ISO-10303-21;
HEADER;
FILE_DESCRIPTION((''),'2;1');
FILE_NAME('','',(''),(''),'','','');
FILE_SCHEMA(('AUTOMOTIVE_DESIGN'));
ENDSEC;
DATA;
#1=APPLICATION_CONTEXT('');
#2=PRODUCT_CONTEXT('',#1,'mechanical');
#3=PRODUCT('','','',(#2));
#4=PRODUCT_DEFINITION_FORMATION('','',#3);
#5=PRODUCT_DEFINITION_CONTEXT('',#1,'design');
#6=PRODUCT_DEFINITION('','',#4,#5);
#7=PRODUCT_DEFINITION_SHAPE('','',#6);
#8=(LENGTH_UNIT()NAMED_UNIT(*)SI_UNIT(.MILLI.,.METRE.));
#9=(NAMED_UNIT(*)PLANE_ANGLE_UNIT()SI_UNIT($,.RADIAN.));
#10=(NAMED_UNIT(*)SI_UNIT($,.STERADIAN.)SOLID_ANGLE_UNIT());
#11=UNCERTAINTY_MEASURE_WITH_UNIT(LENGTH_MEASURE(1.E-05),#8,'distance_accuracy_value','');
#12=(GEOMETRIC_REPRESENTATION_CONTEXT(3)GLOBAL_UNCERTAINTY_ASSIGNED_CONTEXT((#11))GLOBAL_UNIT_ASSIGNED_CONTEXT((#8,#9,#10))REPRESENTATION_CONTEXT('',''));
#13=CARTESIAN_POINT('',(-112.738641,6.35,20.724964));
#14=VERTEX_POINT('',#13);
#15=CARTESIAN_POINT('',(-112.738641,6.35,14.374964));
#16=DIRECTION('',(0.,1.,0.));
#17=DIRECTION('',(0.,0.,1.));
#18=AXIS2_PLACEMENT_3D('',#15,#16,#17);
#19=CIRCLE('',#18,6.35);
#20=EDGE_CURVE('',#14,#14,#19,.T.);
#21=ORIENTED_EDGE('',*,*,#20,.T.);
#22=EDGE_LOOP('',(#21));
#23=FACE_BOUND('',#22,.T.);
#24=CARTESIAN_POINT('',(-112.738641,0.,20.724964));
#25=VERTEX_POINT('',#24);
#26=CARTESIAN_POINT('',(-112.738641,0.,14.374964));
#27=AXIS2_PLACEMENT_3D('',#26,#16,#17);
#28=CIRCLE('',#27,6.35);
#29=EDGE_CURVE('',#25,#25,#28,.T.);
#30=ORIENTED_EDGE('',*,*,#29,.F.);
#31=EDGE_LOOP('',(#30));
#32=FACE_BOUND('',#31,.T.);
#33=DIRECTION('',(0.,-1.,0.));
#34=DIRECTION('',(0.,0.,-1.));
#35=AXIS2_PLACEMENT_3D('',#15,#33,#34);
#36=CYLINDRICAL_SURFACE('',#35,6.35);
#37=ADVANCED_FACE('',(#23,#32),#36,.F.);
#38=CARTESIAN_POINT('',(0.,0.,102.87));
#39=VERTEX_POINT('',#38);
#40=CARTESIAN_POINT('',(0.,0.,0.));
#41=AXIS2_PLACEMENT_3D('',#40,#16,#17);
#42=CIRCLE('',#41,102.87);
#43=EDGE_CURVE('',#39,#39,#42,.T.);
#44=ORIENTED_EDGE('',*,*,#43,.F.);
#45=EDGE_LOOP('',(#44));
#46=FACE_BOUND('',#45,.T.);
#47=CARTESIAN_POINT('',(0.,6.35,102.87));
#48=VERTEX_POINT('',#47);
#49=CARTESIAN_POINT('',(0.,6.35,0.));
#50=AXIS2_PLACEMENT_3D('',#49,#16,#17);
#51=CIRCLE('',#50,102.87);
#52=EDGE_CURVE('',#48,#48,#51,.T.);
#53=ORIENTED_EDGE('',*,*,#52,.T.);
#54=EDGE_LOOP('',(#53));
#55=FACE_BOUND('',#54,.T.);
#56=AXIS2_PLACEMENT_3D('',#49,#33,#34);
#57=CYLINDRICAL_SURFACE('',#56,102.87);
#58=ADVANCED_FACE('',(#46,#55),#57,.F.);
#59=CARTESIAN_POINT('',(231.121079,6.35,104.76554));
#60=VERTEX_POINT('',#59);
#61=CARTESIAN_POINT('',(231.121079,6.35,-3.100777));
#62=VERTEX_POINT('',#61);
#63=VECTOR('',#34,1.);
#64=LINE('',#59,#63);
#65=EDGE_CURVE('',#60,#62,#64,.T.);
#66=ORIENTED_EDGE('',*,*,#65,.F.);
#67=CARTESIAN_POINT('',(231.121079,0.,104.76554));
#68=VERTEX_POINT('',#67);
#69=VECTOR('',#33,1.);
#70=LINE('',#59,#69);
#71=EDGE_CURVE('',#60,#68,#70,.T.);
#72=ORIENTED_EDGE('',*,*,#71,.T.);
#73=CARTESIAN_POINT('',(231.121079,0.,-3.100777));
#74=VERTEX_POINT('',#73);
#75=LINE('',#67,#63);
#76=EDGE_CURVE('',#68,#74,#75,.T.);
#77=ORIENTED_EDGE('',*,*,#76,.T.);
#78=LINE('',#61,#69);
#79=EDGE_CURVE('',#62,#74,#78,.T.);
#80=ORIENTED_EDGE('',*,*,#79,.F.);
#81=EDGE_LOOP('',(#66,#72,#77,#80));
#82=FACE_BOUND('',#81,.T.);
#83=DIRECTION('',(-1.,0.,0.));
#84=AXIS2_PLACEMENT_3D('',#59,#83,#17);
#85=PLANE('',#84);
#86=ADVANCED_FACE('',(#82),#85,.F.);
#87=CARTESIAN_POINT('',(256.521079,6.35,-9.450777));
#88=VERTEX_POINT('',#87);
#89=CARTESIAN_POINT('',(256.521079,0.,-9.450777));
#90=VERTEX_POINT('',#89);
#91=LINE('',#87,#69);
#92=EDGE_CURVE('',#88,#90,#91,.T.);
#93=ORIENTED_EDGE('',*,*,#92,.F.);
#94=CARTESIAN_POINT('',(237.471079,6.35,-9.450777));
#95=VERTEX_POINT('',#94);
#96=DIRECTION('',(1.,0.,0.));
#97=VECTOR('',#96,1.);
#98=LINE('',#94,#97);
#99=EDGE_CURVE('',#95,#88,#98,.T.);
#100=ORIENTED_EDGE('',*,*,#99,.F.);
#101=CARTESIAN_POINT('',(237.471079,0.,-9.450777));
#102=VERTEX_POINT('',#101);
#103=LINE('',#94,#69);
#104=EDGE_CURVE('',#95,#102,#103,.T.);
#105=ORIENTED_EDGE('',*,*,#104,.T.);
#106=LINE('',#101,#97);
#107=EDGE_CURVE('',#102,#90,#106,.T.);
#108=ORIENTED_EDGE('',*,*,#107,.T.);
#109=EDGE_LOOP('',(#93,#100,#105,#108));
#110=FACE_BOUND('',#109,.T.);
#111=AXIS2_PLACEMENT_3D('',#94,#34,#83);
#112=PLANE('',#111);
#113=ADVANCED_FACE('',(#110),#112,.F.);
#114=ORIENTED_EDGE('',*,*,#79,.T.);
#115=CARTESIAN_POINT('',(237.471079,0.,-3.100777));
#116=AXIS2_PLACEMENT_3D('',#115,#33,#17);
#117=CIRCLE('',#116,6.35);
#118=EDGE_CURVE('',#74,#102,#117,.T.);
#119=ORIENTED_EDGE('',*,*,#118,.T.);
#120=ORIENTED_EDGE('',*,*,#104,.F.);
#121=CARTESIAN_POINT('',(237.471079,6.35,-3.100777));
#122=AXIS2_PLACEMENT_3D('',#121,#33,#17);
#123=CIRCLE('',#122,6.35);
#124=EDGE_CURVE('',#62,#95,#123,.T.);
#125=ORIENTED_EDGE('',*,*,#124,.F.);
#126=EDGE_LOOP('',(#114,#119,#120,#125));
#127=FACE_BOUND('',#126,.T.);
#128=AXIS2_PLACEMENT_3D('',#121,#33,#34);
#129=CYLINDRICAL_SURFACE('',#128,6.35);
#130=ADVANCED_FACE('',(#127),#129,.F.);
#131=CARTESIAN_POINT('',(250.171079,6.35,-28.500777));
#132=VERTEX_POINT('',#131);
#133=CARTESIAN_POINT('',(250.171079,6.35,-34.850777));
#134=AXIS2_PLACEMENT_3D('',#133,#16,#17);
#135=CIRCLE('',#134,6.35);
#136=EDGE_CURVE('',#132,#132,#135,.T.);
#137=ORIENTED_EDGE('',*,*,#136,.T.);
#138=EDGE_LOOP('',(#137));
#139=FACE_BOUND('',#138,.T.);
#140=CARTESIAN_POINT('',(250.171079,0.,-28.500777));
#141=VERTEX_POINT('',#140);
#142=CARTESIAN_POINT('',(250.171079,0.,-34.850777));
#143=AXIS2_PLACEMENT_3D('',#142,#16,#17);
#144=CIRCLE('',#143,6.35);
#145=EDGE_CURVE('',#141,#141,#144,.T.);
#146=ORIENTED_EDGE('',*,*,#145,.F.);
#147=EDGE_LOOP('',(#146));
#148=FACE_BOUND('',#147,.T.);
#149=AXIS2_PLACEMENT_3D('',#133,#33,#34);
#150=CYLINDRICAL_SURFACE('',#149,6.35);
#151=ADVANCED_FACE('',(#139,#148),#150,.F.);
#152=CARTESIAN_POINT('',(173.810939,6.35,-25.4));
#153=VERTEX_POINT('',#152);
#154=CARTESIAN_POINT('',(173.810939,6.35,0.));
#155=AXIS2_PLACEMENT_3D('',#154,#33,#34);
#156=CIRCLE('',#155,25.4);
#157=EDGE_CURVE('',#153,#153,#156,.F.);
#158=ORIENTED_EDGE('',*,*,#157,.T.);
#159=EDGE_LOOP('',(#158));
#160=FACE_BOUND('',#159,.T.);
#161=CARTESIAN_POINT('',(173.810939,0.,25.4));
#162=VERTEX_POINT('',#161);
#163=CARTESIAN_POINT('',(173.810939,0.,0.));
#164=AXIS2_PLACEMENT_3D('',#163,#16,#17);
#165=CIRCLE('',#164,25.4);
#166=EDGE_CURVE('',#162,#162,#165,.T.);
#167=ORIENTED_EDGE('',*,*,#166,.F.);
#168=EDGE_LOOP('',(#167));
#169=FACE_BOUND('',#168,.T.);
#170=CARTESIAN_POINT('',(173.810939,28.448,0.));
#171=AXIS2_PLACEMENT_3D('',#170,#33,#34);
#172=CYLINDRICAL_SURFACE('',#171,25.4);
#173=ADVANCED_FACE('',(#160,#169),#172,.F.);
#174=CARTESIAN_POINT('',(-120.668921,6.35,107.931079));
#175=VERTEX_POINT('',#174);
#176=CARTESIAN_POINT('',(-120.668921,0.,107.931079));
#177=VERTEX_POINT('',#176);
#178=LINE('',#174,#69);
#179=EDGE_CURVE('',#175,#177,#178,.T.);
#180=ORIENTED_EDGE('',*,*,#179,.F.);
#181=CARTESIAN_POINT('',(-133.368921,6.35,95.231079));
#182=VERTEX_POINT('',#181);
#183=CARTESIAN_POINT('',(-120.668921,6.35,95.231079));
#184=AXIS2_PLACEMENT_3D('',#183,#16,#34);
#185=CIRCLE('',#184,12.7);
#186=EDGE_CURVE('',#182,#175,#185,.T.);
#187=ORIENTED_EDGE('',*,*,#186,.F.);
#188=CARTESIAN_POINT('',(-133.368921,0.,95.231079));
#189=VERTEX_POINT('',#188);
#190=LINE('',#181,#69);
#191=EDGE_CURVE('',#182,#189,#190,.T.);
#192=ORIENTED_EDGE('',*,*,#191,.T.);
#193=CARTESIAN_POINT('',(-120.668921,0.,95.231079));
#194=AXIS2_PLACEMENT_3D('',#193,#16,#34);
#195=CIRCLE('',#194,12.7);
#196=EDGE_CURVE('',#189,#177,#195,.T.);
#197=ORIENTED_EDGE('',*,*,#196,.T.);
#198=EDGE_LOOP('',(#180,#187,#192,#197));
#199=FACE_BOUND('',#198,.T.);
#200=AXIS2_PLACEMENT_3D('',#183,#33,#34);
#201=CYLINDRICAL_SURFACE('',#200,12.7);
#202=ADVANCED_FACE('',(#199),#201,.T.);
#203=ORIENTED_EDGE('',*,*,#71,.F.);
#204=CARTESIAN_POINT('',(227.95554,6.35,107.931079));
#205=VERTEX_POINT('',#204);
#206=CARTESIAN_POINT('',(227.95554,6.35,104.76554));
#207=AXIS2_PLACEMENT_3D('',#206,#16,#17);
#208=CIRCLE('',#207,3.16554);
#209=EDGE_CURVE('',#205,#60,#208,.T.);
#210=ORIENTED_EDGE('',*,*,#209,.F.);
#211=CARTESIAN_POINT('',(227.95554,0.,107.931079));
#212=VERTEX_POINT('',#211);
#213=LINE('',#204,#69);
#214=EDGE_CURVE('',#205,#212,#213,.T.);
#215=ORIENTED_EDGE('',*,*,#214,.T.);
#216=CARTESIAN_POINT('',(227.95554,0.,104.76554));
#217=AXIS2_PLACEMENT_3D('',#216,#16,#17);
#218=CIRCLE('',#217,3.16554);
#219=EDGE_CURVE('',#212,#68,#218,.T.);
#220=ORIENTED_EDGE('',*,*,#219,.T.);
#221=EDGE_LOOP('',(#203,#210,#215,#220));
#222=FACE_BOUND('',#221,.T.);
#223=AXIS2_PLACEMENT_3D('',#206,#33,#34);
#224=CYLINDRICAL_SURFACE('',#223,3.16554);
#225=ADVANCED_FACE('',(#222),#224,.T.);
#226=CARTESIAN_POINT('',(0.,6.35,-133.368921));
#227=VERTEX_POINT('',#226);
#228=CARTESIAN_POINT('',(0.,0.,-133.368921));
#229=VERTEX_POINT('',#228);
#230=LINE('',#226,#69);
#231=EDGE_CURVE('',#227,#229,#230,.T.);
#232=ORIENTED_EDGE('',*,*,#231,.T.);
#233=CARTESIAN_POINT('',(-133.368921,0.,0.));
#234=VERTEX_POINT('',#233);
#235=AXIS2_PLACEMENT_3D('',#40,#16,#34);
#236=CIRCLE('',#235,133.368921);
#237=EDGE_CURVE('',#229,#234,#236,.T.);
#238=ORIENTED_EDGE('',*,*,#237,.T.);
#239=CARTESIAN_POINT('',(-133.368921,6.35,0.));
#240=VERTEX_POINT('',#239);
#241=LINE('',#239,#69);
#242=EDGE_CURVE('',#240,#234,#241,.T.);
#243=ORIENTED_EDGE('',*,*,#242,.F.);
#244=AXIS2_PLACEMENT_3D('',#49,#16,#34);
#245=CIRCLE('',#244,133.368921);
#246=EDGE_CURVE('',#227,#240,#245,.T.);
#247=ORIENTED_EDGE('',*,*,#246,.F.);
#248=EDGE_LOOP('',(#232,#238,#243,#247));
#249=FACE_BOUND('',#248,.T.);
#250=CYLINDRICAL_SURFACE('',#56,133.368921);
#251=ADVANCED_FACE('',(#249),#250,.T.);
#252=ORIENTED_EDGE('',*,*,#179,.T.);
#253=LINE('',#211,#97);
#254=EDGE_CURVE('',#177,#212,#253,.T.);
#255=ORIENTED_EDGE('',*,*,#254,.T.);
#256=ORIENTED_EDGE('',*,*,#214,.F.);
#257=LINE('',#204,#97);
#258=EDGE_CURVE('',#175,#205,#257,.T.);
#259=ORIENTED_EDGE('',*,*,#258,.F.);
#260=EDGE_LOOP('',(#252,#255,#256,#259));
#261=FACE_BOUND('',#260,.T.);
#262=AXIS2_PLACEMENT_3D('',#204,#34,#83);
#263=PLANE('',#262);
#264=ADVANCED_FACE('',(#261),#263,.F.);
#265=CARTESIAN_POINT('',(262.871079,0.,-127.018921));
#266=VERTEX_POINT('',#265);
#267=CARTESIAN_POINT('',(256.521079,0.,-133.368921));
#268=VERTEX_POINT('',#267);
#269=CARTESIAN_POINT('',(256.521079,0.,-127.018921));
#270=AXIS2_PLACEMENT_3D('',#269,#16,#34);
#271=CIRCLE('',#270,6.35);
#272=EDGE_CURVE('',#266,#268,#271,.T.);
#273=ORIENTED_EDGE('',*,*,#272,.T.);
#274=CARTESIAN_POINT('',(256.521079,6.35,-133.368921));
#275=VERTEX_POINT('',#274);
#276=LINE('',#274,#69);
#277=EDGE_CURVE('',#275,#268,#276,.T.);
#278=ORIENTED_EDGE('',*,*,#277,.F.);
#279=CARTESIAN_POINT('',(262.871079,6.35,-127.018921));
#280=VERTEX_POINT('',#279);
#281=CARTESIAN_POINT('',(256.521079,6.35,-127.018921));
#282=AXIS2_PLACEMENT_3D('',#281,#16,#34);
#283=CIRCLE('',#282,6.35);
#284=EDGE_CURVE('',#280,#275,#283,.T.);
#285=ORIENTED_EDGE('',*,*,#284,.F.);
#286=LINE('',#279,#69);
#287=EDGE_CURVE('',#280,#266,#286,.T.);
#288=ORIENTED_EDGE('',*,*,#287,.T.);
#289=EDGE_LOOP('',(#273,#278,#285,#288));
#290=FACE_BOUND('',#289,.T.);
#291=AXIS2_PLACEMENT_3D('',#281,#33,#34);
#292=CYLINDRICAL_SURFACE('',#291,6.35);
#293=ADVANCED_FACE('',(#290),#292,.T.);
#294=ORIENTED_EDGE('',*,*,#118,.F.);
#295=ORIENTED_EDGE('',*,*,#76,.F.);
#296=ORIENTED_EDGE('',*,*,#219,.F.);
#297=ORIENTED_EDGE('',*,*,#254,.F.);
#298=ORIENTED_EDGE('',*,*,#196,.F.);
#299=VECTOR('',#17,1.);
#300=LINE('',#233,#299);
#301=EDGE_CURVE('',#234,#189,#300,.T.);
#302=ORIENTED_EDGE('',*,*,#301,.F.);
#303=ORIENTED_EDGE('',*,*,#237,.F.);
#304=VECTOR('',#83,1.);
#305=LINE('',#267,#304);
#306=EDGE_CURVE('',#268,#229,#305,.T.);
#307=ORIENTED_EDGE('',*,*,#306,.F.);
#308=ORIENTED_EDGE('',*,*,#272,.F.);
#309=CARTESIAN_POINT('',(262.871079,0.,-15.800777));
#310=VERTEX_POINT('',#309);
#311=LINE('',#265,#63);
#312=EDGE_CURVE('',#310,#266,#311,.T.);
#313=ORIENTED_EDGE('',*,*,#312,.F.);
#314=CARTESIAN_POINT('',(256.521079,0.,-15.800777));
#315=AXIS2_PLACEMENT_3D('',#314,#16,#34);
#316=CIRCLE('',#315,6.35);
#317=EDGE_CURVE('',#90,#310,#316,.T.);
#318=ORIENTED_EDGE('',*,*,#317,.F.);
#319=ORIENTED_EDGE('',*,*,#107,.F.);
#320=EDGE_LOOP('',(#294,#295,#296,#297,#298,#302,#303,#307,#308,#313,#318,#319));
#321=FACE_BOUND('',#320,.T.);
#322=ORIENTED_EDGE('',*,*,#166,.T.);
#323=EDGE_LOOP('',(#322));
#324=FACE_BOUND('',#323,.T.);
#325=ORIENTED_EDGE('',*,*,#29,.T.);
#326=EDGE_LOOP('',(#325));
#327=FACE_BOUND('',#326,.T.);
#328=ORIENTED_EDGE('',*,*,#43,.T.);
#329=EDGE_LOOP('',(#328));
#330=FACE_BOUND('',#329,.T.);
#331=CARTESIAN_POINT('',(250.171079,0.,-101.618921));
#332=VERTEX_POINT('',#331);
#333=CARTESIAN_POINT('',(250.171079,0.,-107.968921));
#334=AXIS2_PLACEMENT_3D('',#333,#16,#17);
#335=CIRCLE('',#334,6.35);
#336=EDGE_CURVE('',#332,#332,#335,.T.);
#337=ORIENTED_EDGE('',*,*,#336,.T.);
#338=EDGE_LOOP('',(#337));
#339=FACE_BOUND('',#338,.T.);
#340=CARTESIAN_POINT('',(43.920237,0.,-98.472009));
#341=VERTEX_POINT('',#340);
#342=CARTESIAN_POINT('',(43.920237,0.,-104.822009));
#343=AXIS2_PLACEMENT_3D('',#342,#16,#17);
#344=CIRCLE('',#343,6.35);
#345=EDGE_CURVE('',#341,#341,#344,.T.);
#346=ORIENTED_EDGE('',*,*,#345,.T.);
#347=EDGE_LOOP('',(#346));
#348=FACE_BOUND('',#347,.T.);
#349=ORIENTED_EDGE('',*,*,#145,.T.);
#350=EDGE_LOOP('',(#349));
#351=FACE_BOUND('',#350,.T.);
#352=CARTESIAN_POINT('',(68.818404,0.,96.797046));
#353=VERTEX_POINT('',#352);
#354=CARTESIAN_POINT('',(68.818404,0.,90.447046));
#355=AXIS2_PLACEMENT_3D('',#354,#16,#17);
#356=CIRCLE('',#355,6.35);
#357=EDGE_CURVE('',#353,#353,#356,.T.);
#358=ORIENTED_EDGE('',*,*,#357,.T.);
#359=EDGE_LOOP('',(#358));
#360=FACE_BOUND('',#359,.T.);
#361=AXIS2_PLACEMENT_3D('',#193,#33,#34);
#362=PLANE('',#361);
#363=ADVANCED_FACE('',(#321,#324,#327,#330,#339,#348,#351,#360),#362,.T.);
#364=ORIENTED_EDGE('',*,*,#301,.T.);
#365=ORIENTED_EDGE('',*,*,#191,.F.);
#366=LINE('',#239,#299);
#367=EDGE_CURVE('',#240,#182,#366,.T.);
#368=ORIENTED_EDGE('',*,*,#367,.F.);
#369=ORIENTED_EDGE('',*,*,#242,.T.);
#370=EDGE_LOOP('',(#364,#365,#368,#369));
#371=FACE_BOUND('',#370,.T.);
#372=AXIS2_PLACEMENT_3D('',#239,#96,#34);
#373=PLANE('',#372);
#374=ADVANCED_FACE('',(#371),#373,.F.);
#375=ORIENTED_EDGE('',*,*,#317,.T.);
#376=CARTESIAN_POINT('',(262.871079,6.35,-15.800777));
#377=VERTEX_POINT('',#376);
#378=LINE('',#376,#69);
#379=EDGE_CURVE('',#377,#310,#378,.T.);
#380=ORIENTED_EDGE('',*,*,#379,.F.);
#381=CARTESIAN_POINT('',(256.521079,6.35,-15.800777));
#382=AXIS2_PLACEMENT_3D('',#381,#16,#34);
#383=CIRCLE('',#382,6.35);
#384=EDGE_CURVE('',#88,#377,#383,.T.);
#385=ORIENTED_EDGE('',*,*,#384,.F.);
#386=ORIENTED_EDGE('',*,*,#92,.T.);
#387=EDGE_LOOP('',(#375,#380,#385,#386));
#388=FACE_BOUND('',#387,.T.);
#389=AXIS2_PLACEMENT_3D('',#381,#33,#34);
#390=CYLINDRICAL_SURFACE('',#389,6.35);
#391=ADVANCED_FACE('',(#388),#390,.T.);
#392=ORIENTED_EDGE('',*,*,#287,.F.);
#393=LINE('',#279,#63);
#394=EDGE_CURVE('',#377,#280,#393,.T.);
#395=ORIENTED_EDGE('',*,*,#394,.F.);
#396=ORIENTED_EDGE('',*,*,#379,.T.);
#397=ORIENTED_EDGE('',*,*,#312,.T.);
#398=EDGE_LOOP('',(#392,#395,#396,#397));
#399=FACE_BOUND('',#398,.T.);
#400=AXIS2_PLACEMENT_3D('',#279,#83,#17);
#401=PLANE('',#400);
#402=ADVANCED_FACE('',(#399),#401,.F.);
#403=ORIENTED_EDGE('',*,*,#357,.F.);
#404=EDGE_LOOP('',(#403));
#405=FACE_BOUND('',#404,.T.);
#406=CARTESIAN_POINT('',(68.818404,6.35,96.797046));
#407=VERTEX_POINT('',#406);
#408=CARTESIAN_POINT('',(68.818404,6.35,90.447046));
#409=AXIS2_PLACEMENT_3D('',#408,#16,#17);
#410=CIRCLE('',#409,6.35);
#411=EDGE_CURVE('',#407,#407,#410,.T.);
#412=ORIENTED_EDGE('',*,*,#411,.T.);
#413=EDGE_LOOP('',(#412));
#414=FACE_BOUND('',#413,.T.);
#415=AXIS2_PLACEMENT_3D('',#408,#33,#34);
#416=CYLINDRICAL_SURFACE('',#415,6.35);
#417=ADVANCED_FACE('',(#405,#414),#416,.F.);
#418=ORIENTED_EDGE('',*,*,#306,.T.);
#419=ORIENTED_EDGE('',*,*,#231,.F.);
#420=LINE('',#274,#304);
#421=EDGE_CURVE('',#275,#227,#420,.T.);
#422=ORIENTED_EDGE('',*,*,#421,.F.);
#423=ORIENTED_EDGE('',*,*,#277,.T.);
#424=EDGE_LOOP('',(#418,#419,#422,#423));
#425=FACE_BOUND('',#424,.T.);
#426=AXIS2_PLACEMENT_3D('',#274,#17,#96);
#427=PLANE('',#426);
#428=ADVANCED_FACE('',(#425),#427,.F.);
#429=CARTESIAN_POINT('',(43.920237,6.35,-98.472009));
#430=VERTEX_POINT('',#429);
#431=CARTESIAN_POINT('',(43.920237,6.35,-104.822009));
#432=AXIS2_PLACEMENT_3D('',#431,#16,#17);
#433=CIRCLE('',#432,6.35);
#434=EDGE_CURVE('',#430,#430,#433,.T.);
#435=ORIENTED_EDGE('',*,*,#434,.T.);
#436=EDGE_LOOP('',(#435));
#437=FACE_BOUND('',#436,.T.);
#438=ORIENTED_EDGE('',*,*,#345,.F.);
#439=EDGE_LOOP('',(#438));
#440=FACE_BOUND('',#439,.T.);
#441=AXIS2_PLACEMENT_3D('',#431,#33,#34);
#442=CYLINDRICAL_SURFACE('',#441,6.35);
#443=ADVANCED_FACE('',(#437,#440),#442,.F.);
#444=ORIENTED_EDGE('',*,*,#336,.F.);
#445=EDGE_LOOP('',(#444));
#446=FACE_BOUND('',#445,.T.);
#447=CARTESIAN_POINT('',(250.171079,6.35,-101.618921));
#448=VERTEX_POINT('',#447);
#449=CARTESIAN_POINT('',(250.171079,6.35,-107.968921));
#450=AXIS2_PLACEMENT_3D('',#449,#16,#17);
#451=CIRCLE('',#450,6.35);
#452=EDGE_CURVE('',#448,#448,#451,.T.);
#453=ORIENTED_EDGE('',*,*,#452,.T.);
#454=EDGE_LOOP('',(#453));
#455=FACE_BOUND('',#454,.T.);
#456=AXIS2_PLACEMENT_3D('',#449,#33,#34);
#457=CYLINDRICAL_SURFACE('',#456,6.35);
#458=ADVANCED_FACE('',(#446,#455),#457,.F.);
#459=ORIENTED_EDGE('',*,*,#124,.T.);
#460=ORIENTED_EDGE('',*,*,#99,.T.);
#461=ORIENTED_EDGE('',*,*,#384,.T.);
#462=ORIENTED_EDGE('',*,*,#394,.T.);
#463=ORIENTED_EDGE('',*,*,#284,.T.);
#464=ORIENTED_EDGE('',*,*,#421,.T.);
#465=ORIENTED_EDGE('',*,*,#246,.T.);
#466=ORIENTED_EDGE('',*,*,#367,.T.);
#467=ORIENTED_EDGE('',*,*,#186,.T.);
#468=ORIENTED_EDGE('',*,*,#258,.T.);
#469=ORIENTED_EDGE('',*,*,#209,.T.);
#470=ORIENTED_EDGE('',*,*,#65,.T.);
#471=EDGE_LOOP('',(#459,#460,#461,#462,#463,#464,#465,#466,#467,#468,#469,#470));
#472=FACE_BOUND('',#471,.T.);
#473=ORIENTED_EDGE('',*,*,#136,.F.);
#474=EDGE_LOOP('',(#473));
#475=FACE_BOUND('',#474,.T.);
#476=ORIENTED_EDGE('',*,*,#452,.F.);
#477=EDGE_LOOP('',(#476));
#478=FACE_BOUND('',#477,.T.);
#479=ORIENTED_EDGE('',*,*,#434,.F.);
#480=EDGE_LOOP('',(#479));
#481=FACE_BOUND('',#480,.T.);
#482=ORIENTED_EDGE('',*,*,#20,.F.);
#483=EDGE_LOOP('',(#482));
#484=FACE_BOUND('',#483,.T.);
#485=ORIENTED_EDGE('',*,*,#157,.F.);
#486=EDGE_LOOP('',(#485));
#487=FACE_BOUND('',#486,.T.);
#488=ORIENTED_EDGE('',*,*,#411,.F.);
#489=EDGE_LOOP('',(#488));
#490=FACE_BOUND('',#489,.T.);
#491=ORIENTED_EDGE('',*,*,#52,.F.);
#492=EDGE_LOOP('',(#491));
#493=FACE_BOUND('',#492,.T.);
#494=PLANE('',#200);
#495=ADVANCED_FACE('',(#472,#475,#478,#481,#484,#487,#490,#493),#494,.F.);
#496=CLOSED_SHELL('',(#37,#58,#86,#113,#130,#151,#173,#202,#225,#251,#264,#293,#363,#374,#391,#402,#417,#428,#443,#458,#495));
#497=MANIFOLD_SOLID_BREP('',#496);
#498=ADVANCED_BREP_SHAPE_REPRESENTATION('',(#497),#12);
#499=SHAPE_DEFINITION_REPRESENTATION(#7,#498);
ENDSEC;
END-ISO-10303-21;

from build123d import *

# Parameters (mm, degrees)
SKETCH1_R           = 102.87
SKETCH1_R_2         = 6.35
BOSS_EXTRUDE1_DEPTH = 6.35
SKETCH6_R           = 25.4
CUT_EXTRUDE1_DEPTH  = 28.448


with BuildPart() as part:
    # Sketch1 → Boss-Extrude1 (new body)
    with BuildSketch(Plane(origin=(0, 0, 0), x_dir=(1, 0, 0), z_dir=(0, 1, 0))):
        with BuildLine():
            Line((256.521079071, 133.368920929), (0, 133.368920929))
            ThreePointArc((0, 133.368920929), (-94.306068389, 94.306068389), (-133.368920929, 0))
            Line((-133.368920929, 0), (-133.368920929, -95.231079071))
            ThreePointArc((-133.368920929, -95.231079071), (-129.64917705, -104.211335192), (-120.668920929, -107.931079071))
            Line((-120.668920929, -107.931079071), (227.955539535, -107.931079071))
            ThreePointArc((227.955539535, -107.931079071), (230.193914007, -107.003914007), (231.121079071, -104.765539535))
            Line((231.121079071, -104.765539535), (231.121079071, 3.100777109))
            ThreePointArc((231.121079071, 3.100777109), (232.98095101, 7.59090517), (237.471079071, 9.450777109))
            Line((237.471079071, 9.450777109), (256.521079071, 9.450777109))
            ThreePointArc((256.521079071, 9.450777109), (261.011207131, 11.310649048), (262.871079071, 15.800777109))
            Line((262.871079071, 15.800777109), (262.871079071, 127.018920929))
            ThreePointArc((262.871079071, 127.018920929), (261.011207131, 131.50904899), (256.521079071, 133.368920929))
        make_face()
        Circle(SKETCH1_R, mode=Mode.SUBTRACT)
        with Locations((-112.738641363, -14.374963544)):
            Circle(SKETCH1_R_2, mode=Mode.SUBTRACT)
        with Locations((43.920237074, 104.822009181)):
            Circle(SKETCH1_R_2, mode=Mode.SUBTRACT)
        with Locations((68.818404289, -90.447045637)):
            Circle(SKETCH1_R_2, mode=Mode.SUBTRACT)
        with Locations((250.171079071, 107.968920929)):
            Circle(SKETCH1_R_2, mode=Mode.SUBTRACT)
        with Locations((250.171079071, 34.850777109)):
            Circle(SKETCH1_R_2, mode=Mode.SUBTRACT)
    extrude(amount=BOSS_EXTRUDE1_DEPTH)

    # Sketch6 → Cut-Extrude1 (cut)
    with BuildSketch(Plane(origin=(0, 0, 0), x_dir=(1, 0, 0), z_dir=(0, 1, 0))):
        with Locations((173.810939206, 0)):
            Circle(SKETCH6_R)
    extrude(amount=CUT_EXTRUDE1_DEPTH, mode=Mode.SUBTRACT)


solid = part.part
